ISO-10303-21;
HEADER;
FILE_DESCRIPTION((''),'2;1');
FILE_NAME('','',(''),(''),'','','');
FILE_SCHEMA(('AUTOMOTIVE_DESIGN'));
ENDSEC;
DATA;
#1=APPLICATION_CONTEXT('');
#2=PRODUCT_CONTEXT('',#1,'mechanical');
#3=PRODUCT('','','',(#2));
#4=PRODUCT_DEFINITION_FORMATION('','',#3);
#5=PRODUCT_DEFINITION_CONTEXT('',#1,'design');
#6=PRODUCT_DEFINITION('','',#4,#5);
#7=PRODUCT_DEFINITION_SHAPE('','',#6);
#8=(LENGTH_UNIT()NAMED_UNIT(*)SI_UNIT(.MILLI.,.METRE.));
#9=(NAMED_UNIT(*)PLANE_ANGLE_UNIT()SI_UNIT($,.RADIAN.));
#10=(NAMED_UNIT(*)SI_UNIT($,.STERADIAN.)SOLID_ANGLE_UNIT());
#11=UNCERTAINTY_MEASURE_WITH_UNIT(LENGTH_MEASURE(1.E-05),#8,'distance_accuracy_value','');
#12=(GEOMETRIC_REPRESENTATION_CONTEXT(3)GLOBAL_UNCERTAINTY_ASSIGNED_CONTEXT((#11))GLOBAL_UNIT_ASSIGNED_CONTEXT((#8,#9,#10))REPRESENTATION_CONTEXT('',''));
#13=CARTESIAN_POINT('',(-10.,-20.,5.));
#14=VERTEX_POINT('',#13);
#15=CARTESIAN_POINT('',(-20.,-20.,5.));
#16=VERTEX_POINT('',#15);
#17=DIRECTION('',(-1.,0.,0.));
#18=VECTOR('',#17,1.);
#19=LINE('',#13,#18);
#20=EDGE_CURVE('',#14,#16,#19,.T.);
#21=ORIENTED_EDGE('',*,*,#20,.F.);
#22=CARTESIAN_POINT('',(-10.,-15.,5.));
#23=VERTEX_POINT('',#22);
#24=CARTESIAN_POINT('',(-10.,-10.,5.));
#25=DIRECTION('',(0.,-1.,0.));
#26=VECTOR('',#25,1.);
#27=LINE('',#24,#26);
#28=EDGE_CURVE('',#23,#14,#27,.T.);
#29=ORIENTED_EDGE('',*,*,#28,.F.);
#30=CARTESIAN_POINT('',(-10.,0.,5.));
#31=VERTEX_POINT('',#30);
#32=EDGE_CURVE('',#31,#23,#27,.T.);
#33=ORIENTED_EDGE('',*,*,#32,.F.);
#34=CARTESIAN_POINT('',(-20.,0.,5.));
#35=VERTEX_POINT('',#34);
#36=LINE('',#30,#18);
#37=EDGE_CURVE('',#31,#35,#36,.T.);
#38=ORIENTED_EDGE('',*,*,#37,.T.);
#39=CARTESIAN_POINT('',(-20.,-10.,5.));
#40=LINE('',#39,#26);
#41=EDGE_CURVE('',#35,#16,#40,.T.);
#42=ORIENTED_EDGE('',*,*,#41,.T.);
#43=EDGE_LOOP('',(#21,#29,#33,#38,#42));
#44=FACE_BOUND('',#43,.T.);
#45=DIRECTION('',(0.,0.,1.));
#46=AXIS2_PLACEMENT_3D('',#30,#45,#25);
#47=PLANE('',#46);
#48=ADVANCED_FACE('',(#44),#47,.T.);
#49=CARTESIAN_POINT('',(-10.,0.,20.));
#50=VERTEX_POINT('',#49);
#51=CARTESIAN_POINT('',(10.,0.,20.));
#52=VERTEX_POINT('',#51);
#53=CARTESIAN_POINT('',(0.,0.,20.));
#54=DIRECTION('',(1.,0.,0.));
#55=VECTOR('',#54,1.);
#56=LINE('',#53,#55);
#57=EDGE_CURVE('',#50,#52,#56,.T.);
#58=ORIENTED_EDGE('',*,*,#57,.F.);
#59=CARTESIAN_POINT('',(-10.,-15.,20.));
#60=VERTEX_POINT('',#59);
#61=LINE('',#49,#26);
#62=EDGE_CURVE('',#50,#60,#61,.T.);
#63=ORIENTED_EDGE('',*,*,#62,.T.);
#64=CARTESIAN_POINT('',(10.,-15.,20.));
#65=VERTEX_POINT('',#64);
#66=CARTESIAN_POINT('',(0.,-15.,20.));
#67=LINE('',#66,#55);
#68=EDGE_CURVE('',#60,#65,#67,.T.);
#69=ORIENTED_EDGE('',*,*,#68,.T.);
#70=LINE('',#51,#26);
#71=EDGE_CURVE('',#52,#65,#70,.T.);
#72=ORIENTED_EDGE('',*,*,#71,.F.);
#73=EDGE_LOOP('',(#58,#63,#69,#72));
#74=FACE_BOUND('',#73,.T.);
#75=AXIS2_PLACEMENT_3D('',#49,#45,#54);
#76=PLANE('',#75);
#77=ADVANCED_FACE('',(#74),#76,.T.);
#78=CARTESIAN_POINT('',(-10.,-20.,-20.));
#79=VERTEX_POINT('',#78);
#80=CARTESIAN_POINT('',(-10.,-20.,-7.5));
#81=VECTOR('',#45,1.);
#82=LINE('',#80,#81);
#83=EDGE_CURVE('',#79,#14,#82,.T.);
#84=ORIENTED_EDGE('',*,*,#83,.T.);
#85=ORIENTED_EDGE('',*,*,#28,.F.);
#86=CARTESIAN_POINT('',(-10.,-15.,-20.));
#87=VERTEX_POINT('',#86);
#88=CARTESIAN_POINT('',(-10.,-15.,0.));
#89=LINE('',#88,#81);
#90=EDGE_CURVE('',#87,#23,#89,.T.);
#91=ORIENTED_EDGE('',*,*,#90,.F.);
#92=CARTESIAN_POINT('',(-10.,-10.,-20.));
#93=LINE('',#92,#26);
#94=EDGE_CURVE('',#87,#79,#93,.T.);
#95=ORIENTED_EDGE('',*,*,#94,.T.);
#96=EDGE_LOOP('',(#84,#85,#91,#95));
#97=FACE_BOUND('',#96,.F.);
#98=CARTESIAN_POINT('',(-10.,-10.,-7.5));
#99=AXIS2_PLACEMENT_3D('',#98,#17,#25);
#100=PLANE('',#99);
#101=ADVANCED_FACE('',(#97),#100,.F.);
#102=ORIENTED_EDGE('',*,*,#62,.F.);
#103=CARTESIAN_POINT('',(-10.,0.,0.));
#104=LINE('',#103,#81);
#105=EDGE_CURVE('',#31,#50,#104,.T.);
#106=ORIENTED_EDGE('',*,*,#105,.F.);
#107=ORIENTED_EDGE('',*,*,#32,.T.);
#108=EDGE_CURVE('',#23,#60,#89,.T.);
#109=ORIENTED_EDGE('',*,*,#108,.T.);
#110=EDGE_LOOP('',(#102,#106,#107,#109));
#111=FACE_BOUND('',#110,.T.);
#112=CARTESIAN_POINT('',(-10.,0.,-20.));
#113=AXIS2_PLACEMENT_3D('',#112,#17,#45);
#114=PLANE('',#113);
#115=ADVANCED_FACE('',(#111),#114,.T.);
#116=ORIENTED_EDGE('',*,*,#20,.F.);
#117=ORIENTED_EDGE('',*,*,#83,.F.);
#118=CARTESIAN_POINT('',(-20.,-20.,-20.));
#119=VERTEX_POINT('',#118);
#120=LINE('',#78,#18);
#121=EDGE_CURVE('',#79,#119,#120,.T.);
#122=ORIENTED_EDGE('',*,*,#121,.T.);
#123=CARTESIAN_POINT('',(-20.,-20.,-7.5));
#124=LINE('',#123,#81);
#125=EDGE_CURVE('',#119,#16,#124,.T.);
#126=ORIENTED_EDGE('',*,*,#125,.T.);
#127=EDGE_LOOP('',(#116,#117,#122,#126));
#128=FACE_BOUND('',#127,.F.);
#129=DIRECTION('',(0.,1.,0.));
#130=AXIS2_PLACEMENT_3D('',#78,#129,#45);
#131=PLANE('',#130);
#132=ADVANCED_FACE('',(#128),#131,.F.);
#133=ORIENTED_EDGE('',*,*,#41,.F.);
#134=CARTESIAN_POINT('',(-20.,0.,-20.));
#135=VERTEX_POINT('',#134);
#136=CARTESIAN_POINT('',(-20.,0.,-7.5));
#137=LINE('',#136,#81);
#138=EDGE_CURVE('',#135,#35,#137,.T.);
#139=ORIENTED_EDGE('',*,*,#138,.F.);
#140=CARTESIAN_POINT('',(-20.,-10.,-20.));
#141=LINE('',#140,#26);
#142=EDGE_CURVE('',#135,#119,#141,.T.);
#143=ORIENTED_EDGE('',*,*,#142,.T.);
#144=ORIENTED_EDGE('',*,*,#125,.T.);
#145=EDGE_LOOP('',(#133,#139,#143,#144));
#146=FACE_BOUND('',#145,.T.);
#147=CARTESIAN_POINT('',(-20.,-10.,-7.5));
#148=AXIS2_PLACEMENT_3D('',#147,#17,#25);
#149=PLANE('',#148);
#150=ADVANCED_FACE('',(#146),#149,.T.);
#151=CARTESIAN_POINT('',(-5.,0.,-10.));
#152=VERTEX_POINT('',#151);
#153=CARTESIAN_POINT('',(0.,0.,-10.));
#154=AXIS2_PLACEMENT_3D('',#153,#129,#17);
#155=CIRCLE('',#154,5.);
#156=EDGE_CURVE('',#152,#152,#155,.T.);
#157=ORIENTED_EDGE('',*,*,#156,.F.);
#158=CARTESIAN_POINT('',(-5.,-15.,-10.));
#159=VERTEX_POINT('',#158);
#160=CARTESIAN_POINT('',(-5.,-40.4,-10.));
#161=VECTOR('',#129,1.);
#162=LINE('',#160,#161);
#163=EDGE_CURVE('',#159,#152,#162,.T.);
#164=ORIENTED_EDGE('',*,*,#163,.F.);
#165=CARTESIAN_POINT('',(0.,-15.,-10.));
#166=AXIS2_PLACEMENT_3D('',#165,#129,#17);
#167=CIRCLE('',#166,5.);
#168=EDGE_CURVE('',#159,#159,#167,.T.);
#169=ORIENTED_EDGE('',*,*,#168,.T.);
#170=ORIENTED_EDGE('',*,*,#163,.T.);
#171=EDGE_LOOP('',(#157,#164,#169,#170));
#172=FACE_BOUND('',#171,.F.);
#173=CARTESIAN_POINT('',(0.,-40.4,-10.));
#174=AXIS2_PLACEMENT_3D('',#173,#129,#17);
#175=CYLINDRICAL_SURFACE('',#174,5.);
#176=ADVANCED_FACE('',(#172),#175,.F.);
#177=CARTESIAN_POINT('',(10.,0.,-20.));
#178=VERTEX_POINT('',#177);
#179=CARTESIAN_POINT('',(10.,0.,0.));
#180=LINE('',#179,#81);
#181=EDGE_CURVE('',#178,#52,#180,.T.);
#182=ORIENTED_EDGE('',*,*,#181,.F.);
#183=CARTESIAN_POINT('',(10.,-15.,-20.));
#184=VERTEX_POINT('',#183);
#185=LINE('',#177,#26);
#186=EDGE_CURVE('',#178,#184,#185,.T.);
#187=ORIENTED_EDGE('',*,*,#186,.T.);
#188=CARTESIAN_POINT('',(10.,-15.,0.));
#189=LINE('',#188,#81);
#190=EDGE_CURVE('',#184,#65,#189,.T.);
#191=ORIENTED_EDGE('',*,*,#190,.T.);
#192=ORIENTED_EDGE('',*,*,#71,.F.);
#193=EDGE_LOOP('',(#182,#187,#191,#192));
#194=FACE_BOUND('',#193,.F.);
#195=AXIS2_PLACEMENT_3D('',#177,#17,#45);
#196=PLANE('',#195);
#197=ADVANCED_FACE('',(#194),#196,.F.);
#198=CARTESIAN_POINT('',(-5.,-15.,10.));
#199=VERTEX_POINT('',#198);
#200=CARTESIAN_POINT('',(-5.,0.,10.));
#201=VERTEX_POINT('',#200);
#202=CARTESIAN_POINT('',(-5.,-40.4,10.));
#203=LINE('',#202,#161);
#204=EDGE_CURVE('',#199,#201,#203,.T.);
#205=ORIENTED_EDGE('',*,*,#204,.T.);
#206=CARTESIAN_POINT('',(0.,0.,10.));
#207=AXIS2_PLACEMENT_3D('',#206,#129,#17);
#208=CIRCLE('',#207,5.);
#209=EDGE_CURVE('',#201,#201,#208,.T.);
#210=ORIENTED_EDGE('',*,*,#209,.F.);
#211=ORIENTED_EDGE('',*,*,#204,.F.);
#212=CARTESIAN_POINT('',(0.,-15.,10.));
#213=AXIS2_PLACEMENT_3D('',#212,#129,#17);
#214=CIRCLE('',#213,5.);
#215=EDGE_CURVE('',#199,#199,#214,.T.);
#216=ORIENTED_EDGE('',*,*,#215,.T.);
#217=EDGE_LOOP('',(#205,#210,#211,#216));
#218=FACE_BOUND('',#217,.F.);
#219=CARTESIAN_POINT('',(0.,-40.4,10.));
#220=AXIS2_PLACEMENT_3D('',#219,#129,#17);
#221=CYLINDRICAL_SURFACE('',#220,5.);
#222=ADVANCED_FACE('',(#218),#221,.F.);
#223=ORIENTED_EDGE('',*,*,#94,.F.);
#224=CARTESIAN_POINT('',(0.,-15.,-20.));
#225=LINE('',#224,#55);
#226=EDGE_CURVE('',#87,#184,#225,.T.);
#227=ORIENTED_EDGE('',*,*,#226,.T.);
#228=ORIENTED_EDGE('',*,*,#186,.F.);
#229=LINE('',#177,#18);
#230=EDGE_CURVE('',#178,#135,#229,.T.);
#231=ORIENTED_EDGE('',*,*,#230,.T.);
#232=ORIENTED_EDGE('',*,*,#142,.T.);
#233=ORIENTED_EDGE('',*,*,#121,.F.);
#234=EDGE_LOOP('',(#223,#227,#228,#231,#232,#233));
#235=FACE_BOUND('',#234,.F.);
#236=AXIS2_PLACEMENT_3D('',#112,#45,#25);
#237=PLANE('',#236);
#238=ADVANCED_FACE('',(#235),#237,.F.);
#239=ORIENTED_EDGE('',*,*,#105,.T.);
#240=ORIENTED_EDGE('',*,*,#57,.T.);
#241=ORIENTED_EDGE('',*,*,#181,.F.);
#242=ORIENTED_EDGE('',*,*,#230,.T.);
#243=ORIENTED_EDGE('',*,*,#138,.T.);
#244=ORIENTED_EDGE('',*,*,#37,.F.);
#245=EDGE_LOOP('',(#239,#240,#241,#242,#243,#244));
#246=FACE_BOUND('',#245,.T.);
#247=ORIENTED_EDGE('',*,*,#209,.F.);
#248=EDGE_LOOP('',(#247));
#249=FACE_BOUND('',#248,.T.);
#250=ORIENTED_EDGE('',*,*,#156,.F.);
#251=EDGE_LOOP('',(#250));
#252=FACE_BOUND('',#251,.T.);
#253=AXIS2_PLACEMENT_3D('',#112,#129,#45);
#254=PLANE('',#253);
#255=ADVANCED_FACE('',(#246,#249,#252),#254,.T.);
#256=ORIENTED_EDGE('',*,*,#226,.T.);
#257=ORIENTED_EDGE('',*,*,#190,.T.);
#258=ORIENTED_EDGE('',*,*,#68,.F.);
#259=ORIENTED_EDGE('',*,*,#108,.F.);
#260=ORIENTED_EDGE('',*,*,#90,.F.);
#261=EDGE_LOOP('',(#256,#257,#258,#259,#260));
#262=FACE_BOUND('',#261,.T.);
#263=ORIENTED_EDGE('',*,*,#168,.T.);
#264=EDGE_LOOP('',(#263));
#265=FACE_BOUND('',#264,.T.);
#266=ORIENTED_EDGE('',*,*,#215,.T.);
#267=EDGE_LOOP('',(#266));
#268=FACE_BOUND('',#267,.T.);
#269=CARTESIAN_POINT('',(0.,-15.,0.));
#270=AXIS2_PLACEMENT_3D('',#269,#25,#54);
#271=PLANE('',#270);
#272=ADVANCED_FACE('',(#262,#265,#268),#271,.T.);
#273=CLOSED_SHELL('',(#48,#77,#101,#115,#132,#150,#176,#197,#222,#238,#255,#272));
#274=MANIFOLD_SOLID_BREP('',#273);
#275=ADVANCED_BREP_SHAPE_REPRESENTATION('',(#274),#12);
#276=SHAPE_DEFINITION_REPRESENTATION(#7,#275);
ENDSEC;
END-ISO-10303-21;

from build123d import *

# Parameters (mm, degrees)
F0_W     = 20
F0_H     = 40
F1_DEPTH = 15
F3_D     = 10
F3_DEPTH = 25.4
F4_W     = 20
F4_H     = 25
F5_DEPTH = 10


with BuildPart() as f1:
    # F0 (on Front) → F1 (new body)
    with BuildSketch(Plane.XZ):
        Rectangle(F0_W, F0_H)
    extrude(amount=F1_DEPTH)

    # F3
    with Locations(Plane.XZ.offset(15)):
        with Locations((0, 10), (0, -10)):
            Hole(F3_D / 2, depth=F3_DEPTH)

    # F4 (on face) → F5 (join)
    with BuildSketch(Plane(origin=(-10, 0, 0), x_dir=(0, -1, 0), z_dir=(-1, 0, 0))):
        with Locations((10, -7.5)):
            Rectangle(F4_W, F4_H)
    extrude(amount=F5_DEPTH)


solid = f1.part
